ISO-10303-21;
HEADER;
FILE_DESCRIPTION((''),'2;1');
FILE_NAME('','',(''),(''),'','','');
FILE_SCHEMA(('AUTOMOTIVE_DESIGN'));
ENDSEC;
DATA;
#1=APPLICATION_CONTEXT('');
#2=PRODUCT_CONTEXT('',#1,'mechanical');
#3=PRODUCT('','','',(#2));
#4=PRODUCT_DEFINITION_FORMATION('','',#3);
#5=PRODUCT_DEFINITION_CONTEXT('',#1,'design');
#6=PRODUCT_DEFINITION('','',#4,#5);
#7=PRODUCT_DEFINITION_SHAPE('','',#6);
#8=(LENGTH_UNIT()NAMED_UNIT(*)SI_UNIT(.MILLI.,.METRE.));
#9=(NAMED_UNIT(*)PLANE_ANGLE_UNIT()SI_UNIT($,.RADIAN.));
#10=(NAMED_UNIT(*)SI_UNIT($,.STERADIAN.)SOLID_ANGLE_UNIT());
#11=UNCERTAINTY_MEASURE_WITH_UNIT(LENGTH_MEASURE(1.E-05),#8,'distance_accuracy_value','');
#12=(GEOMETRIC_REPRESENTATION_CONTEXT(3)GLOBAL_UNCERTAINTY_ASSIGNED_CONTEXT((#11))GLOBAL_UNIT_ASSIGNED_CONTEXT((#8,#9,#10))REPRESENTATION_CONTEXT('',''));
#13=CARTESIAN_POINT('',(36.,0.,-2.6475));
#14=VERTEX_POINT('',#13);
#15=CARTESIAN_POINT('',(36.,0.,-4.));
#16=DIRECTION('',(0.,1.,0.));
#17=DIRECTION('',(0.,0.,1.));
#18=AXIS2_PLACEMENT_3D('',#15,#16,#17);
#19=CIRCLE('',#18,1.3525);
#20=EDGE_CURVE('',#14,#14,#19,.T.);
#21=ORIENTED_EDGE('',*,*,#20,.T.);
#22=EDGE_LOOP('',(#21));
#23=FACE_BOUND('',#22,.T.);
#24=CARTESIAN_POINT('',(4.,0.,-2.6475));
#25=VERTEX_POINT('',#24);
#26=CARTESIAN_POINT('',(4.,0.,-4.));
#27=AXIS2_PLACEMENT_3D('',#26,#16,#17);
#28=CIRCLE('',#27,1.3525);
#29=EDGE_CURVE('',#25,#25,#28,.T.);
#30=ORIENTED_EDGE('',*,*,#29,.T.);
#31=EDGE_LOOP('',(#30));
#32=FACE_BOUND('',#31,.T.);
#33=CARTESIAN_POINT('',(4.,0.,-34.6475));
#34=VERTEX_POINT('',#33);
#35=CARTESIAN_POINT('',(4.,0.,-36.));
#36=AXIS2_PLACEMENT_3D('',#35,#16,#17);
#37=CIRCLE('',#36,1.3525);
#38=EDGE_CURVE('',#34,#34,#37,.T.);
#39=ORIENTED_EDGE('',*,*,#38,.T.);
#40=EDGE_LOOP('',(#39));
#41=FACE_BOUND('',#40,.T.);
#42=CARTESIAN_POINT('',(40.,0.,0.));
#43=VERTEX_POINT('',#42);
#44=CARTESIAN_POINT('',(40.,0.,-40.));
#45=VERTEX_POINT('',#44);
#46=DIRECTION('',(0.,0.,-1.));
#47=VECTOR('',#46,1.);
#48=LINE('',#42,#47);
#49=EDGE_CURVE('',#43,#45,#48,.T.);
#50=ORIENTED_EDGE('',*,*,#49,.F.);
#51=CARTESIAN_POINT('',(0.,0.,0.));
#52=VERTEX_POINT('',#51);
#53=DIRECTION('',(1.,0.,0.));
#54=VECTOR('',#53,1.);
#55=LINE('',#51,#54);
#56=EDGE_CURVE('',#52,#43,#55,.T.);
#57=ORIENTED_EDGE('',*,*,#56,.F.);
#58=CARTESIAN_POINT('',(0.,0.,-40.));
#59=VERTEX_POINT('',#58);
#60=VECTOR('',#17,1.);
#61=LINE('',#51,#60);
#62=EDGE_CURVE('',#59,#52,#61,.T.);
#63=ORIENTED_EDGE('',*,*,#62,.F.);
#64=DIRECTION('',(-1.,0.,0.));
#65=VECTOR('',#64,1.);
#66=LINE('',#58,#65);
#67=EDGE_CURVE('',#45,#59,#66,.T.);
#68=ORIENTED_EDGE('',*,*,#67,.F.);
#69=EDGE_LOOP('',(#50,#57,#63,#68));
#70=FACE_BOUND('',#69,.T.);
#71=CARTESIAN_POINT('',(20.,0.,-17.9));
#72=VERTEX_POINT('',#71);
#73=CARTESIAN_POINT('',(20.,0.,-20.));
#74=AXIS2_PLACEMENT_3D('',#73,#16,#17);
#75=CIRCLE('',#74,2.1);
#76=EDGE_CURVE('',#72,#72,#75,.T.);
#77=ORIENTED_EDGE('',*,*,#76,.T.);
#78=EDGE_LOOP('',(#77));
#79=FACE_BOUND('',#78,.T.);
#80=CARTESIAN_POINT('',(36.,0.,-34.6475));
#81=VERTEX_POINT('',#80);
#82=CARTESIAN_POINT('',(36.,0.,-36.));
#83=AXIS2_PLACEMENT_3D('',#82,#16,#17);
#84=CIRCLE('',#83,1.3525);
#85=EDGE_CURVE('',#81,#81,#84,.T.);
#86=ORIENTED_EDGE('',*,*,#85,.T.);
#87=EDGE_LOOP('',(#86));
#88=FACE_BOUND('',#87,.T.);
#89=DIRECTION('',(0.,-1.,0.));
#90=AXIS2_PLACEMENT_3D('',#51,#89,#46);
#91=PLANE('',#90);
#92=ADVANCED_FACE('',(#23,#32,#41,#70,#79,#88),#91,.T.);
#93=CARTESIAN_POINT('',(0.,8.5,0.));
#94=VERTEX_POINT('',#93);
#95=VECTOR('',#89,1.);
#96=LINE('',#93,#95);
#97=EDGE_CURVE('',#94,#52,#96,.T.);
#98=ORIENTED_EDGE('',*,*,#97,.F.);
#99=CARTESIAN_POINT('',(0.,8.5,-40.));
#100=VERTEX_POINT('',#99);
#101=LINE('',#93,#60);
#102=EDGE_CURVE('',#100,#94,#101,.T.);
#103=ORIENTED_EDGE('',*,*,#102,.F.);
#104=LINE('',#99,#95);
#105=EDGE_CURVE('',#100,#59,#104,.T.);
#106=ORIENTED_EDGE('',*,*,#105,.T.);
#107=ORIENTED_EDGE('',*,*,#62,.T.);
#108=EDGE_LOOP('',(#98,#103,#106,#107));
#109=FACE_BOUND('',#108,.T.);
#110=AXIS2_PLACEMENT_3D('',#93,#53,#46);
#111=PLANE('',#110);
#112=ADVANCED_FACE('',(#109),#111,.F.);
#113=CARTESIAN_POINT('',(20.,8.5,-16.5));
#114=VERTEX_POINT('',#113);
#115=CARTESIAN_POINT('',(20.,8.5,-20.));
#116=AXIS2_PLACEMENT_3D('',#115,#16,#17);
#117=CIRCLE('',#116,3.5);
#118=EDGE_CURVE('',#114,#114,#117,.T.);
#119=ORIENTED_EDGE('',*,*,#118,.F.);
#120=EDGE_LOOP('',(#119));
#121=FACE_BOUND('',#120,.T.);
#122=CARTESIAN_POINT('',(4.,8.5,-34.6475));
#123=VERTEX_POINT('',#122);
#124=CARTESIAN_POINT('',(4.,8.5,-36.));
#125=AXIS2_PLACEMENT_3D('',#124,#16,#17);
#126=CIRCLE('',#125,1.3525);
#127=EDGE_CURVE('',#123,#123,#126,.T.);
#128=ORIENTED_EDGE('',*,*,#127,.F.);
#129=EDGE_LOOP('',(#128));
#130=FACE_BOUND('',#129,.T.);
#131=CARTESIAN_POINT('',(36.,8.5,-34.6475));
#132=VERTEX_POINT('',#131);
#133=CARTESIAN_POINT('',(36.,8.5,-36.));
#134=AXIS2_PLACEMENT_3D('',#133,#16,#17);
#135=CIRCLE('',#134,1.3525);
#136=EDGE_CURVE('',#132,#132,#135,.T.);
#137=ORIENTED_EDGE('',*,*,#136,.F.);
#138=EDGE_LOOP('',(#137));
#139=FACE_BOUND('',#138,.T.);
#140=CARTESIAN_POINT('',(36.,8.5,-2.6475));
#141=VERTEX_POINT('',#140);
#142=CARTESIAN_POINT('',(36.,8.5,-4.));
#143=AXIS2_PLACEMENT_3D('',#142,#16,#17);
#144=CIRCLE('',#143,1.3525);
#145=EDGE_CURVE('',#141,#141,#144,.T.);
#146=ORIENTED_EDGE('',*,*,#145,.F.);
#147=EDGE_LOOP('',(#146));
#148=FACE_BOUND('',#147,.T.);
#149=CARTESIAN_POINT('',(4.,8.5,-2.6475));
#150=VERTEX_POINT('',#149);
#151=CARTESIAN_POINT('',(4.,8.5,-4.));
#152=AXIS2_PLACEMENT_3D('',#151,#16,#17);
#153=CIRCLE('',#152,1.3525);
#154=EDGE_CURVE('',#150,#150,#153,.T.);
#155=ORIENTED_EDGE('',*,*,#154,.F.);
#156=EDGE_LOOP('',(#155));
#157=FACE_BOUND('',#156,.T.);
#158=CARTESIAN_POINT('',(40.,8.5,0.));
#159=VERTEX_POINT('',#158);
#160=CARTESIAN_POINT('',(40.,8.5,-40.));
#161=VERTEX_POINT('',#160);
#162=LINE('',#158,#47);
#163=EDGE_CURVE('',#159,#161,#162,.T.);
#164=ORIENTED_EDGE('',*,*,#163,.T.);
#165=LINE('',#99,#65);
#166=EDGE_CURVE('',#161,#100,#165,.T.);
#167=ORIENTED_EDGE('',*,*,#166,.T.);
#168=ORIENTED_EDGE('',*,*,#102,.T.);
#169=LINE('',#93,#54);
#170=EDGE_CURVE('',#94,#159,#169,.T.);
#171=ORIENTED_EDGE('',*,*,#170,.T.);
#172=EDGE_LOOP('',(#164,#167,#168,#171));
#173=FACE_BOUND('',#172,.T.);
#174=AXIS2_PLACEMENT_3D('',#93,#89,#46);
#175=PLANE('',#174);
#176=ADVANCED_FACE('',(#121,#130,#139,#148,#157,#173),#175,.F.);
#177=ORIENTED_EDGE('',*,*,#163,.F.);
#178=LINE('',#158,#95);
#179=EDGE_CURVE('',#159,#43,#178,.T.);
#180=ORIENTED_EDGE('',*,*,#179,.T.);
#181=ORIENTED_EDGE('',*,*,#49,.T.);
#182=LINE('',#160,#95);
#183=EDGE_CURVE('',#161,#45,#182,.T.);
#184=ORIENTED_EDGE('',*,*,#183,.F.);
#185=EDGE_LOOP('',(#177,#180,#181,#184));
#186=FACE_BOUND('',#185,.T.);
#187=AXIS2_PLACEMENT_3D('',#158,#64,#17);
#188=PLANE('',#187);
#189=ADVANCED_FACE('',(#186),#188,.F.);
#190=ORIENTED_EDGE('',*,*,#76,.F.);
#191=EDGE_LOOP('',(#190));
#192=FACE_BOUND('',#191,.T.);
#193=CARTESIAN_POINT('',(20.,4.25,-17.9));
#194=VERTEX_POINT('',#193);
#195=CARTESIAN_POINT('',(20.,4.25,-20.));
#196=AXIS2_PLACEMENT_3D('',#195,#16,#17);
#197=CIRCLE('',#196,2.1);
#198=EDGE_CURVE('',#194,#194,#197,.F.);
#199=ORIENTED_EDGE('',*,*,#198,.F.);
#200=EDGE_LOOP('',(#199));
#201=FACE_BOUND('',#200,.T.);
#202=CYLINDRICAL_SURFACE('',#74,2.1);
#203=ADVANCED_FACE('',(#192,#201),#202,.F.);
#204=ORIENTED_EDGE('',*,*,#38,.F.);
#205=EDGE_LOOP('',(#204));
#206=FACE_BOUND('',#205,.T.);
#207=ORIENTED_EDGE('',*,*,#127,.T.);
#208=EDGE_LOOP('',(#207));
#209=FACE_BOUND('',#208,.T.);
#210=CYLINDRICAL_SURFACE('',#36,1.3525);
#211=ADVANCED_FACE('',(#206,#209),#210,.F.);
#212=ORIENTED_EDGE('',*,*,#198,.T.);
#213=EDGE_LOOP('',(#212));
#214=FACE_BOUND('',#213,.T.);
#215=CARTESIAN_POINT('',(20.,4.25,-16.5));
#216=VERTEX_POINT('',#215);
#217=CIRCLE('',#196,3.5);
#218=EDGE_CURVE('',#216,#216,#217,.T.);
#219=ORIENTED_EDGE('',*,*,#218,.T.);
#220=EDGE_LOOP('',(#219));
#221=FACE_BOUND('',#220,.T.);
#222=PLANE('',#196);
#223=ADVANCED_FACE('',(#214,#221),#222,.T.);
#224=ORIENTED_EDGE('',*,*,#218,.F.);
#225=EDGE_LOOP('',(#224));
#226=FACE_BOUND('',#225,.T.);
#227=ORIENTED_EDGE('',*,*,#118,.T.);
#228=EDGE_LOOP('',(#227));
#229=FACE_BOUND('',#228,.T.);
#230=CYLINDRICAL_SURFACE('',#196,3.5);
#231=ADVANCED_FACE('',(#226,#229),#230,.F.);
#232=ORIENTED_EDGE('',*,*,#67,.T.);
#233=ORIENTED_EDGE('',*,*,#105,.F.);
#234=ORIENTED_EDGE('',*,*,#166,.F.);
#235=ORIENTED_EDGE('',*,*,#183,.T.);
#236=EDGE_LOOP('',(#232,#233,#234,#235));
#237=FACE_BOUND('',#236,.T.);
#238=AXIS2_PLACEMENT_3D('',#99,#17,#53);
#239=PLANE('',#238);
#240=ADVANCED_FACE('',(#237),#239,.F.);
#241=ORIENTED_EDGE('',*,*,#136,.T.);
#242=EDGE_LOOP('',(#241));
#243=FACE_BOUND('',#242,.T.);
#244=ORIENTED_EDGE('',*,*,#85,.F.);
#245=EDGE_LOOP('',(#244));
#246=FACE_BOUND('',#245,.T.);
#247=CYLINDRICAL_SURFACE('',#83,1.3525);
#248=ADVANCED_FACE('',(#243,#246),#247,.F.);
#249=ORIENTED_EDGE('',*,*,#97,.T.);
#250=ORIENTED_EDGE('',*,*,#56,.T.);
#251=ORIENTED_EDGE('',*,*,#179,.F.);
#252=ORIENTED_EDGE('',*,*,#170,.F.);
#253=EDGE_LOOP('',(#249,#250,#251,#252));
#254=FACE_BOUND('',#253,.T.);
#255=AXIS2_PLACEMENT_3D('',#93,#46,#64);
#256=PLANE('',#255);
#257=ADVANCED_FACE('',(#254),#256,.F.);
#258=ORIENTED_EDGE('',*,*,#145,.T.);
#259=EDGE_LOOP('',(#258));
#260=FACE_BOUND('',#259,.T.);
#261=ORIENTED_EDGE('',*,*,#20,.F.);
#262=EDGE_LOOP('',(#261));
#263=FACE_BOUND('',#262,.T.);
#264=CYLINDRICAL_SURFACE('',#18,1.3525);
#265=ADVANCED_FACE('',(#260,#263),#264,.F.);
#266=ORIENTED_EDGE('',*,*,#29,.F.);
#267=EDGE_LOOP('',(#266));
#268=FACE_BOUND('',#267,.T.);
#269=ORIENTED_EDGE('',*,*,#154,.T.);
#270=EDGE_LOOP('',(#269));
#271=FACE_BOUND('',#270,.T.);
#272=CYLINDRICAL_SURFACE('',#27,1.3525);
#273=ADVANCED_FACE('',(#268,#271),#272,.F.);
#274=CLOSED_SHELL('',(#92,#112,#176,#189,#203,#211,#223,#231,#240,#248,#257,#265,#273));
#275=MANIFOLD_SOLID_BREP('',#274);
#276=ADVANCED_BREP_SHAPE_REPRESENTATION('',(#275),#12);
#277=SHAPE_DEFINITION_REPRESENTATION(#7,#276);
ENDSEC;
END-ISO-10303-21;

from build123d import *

# Parameters (mm, degrees)
SKETCH1_W           = 40
SKETCH1_H           = 40
BOSS_EXTRUDE1_DEPTH = 8.5
SKETCH2_R           = 1.3525
SKETCH2_R_2         = 2.1
CUT_EXTRUDE1_DEPTH  = 9.5
SKETCH3_R           = 3.5
CUT_EXTRUDE2_DEPTH  = 4.25


with BuildPart() as part:
    # Sketch1 → Boss-Extrude1 (new body)
    with BuildSketch(Plane(origin=(0, 0, 0), x_dir=(1, 0, 0), z_dir=(0, 1, 0))):
        with Locations((20, 20)):
            Rectangle(SKETCH1_W, SKETCH1_H)
    extrude(amount=BOSS_EXTRUDE1_DEPTH)

    # Sketch2 → Cut-Extrude1 (cut, through all)
    with BuildSketch(Plane(origin=(0, 8.5, 0), x_dir=(1, 0, 0), z_dir=(0, 1, 0))):
        with Locations((4, 4)):
            Circle(SKETCH2_R)
        with Locations((36, 4)):
            Circle(SKETCH2_R)
        with Locations((36, 36)):
            Circle(SKETCH2_R)
        with Locations((4, 36)):
            Circle(SKETCH2_R)
        with Locations((20, 20)):
            Circle(SKETCH2_R_2)
    extrude(amount=-CUT_EXTRUDE1_DEPTH, mode=Mode.SUBTRACT)

    # Sketch3 → Cut-Extrude2 (cut)
    with BuildSketch(Plane(origin=(0, 8.5, 0), x_dir=(1, 0, 0), z_dir=(0, 1, 0))):
        with Locations((20, 20)):
            Circle(SKETCH3_R)
    extrude(amount=-CUT_EXTRUDE2_DEPTH, mode=Mode.SUBTRACT)


solid = part.part
